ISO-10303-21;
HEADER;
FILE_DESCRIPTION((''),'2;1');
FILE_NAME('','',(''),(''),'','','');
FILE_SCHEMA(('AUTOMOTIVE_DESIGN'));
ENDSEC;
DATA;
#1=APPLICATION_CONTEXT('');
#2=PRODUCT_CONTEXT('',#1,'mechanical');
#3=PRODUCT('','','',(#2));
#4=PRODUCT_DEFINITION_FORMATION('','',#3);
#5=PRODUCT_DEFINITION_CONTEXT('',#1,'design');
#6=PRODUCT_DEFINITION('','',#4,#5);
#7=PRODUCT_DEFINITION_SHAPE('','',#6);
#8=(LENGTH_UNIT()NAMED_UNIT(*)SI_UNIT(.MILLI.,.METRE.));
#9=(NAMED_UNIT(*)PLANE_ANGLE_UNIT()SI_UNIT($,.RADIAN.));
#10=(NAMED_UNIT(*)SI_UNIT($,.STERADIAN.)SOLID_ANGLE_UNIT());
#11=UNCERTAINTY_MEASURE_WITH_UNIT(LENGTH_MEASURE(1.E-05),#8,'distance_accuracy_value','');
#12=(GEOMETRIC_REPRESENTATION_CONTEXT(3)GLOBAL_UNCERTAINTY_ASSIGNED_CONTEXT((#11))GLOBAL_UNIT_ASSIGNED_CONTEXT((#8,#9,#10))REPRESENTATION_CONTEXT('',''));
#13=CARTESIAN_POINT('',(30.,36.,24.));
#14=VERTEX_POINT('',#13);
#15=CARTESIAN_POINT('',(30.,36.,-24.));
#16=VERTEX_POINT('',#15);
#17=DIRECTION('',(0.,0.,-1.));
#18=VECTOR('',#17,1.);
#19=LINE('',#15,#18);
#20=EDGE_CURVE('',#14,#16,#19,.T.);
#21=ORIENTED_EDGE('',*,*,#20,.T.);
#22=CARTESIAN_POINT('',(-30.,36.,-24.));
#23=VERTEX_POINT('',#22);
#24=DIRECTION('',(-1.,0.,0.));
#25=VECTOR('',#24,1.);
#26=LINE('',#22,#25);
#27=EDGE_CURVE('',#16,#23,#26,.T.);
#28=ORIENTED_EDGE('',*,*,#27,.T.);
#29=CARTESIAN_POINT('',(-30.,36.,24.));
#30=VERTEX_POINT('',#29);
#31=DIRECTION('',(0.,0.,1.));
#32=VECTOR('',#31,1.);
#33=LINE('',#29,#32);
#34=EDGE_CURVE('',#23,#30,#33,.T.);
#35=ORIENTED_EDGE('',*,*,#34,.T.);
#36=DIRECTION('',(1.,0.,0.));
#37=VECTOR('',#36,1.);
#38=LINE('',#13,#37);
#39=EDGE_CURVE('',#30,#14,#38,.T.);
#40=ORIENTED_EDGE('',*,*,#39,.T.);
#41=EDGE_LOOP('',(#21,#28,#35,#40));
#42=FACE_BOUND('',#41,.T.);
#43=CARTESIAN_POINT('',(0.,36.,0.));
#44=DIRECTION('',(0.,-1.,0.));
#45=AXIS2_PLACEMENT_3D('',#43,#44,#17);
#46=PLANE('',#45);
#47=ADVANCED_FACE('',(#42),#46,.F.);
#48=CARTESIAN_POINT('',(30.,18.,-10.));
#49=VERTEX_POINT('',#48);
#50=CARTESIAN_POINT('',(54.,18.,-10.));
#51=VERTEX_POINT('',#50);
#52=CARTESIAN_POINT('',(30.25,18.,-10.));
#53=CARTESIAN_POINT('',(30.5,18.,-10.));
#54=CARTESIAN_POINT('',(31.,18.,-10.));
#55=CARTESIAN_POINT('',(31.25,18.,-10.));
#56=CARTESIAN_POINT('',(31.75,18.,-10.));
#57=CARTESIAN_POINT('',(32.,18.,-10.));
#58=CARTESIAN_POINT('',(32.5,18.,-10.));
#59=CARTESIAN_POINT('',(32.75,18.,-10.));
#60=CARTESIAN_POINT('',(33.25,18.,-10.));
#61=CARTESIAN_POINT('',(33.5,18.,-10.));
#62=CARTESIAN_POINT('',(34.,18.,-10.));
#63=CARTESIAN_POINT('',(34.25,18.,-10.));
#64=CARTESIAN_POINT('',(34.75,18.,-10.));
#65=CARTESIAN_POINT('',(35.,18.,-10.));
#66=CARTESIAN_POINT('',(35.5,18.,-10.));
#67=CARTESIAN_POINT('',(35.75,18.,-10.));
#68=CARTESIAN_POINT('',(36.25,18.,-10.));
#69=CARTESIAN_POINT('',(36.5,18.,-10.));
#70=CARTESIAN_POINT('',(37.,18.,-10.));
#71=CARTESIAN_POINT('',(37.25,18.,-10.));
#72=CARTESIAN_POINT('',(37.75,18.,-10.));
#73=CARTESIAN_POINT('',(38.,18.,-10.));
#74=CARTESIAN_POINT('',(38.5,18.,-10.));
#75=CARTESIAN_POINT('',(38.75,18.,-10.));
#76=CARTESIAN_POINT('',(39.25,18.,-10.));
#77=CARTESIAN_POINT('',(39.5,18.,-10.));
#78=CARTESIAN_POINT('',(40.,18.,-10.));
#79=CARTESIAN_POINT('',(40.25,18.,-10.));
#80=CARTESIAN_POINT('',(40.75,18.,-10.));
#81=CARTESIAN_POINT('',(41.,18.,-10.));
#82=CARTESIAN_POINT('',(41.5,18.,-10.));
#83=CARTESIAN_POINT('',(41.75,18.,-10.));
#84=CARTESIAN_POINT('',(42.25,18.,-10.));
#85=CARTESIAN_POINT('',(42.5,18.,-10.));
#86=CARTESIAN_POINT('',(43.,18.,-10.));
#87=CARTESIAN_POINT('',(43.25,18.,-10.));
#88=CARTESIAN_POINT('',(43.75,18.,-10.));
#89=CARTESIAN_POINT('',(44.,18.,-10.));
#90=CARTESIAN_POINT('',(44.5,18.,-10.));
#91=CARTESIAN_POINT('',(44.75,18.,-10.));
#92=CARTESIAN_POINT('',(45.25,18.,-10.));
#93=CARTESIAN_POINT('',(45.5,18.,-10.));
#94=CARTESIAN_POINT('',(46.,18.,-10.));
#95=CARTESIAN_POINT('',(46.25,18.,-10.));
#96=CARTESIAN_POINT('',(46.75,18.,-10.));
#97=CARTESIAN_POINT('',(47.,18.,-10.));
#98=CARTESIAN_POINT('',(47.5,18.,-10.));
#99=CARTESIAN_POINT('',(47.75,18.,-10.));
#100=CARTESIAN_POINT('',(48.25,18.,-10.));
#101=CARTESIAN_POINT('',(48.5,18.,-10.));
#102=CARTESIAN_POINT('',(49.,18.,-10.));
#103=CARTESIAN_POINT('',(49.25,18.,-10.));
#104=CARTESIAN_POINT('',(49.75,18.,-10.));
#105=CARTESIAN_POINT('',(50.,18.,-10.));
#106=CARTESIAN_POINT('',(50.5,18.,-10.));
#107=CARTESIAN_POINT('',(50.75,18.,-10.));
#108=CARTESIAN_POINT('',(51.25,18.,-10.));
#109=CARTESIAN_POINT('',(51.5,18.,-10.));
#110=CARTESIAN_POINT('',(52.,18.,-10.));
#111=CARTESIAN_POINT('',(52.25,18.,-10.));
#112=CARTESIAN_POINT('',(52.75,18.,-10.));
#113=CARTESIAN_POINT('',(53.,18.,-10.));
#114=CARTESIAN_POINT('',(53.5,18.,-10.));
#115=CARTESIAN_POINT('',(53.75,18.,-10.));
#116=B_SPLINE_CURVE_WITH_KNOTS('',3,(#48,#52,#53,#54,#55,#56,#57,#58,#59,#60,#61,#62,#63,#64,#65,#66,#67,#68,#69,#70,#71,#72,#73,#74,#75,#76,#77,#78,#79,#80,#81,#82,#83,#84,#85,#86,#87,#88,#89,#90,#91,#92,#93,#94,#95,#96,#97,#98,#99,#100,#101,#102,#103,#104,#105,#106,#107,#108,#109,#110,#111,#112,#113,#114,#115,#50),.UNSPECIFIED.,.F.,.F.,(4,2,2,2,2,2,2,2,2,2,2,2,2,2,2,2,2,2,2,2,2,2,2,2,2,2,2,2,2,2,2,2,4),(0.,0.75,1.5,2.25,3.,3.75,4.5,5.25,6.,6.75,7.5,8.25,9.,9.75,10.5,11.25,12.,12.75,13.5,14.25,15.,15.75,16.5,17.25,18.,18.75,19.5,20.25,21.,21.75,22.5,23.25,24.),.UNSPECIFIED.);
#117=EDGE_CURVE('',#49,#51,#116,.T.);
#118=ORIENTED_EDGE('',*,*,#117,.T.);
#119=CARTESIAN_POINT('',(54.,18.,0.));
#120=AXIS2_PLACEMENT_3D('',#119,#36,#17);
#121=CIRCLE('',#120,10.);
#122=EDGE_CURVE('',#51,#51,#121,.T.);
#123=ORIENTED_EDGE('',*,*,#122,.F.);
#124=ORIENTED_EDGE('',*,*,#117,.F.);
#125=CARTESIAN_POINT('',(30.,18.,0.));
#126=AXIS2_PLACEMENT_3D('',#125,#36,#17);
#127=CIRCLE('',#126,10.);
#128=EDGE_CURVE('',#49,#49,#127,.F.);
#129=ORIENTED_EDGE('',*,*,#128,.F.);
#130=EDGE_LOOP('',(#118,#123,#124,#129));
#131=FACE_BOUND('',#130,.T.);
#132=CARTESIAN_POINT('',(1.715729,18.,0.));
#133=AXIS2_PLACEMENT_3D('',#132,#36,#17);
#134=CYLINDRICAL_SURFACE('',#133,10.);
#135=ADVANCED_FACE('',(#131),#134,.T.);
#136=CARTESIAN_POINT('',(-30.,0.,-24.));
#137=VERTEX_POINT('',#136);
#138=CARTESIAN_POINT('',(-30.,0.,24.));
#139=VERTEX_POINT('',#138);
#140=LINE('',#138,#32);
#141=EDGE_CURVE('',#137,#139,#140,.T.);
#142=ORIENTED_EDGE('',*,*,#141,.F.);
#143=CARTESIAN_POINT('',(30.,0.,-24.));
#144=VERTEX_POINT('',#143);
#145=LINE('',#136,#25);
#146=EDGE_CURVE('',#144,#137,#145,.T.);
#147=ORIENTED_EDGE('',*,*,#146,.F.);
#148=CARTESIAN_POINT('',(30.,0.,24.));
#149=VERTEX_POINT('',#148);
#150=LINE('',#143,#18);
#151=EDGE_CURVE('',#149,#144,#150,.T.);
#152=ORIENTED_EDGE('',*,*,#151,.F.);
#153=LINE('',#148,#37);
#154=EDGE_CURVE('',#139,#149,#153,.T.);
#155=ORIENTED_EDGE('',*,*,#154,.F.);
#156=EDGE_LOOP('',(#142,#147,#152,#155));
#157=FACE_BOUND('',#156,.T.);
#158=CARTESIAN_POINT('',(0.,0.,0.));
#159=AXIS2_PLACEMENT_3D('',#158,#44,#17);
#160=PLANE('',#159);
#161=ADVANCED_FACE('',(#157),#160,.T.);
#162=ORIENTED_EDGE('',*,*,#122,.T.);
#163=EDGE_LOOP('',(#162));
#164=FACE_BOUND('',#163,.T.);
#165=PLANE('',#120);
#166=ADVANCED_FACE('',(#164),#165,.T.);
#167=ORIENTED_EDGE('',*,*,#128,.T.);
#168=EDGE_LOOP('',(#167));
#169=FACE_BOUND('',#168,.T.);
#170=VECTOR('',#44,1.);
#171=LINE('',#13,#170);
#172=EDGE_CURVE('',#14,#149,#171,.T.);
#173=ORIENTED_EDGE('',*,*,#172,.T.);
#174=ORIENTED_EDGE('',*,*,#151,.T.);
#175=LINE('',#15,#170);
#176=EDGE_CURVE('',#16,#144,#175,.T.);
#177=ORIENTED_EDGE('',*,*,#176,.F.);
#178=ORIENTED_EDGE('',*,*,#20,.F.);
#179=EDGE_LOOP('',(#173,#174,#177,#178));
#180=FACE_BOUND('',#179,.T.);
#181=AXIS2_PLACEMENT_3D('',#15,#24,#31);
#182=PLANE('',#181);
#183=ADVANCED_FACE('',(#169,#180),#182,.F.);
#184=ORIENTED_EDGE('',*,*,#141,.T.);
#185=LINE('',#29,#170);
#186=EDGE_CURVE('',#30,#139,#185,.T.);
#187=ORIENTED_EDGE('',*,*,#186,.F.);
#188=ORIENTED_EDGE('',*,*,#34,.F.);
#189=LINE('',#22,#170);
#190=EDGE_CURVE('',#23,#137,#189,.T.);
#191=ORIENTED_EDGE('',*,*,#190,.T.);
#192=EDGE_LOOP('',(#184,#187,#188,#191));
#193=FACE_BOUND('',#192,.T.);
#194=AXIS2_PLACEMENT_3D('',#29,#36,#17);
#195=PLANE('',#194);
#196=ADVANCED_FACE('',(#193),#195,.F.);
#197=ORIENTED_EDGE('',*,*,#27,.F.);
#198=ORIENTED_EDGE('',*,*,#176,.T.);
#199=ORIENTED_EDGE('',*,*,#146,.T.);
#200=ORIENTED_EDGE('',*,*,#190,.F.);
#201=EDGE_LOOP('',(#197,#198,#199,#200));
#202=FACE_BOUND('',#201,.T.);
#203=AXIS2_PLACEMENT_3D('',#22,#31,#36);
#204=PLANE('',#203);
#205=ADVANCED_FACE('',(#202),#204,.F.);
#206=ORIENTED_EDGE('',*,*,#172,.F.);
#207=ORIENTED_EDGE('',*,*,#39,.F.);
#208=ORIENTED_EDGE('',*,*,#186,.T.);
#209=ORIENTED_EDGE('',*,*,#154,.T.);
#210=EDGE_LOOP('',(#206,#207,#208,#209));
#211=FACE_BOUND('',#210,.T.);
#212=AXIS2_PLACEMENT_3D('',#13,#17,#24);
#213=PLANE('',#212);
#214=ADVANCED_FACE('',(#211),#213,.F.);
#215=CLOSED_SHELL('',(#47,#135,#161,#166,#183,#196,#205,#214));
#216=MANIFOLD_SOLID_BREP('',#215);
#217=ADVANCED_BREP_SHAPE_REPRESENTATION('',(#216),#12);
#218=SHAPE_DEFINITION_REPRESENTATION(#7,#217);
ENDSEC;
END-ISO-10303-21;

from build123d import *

# Parameters (mm, degrees)
SKETCH_1_W      = 60
SKETCH_1_H      = 48
EXTRUDE_1_DEPTH = 36
EXTRUDE_2_REACH = 96.488
SKETCH_2_R      = 10


with BuildPart() as part:
    # 草图1 → 凸台-拉伸1 (new body)
    with BuildSketch(Plane(origin=(0, 0, 0), x_dir=(1, 0, 0), z_dir=(0, 1, 0))):
        Rectangle(SKETCH_1_W, SKETCH_1_H)
    extrude(amount=EXTRUDE_1_DEPTH)

    # 草图2 → 凸台-拉伸2 (add, up to next)
    with BuildSketch(Plane(origin=(54, 0, 0), x_dir=(0, 0, -1), z_dir=(1, 0, 0)), mode=Mode.PRIVATE) as extrude_2_sk1:
        with Locations((0, 18)):
            Circle(SKETCH_2_R)
    extrude_2_tool1 = extrude(extrude_2_sk1.sketch, amount=-EXTRUDE_2_REACH, mode=Mode.PRIVATE) - part.part
    add(extrude_2_tool1.solids().sort_by_distance((54, 18, 0))[0])


solid = part.part
